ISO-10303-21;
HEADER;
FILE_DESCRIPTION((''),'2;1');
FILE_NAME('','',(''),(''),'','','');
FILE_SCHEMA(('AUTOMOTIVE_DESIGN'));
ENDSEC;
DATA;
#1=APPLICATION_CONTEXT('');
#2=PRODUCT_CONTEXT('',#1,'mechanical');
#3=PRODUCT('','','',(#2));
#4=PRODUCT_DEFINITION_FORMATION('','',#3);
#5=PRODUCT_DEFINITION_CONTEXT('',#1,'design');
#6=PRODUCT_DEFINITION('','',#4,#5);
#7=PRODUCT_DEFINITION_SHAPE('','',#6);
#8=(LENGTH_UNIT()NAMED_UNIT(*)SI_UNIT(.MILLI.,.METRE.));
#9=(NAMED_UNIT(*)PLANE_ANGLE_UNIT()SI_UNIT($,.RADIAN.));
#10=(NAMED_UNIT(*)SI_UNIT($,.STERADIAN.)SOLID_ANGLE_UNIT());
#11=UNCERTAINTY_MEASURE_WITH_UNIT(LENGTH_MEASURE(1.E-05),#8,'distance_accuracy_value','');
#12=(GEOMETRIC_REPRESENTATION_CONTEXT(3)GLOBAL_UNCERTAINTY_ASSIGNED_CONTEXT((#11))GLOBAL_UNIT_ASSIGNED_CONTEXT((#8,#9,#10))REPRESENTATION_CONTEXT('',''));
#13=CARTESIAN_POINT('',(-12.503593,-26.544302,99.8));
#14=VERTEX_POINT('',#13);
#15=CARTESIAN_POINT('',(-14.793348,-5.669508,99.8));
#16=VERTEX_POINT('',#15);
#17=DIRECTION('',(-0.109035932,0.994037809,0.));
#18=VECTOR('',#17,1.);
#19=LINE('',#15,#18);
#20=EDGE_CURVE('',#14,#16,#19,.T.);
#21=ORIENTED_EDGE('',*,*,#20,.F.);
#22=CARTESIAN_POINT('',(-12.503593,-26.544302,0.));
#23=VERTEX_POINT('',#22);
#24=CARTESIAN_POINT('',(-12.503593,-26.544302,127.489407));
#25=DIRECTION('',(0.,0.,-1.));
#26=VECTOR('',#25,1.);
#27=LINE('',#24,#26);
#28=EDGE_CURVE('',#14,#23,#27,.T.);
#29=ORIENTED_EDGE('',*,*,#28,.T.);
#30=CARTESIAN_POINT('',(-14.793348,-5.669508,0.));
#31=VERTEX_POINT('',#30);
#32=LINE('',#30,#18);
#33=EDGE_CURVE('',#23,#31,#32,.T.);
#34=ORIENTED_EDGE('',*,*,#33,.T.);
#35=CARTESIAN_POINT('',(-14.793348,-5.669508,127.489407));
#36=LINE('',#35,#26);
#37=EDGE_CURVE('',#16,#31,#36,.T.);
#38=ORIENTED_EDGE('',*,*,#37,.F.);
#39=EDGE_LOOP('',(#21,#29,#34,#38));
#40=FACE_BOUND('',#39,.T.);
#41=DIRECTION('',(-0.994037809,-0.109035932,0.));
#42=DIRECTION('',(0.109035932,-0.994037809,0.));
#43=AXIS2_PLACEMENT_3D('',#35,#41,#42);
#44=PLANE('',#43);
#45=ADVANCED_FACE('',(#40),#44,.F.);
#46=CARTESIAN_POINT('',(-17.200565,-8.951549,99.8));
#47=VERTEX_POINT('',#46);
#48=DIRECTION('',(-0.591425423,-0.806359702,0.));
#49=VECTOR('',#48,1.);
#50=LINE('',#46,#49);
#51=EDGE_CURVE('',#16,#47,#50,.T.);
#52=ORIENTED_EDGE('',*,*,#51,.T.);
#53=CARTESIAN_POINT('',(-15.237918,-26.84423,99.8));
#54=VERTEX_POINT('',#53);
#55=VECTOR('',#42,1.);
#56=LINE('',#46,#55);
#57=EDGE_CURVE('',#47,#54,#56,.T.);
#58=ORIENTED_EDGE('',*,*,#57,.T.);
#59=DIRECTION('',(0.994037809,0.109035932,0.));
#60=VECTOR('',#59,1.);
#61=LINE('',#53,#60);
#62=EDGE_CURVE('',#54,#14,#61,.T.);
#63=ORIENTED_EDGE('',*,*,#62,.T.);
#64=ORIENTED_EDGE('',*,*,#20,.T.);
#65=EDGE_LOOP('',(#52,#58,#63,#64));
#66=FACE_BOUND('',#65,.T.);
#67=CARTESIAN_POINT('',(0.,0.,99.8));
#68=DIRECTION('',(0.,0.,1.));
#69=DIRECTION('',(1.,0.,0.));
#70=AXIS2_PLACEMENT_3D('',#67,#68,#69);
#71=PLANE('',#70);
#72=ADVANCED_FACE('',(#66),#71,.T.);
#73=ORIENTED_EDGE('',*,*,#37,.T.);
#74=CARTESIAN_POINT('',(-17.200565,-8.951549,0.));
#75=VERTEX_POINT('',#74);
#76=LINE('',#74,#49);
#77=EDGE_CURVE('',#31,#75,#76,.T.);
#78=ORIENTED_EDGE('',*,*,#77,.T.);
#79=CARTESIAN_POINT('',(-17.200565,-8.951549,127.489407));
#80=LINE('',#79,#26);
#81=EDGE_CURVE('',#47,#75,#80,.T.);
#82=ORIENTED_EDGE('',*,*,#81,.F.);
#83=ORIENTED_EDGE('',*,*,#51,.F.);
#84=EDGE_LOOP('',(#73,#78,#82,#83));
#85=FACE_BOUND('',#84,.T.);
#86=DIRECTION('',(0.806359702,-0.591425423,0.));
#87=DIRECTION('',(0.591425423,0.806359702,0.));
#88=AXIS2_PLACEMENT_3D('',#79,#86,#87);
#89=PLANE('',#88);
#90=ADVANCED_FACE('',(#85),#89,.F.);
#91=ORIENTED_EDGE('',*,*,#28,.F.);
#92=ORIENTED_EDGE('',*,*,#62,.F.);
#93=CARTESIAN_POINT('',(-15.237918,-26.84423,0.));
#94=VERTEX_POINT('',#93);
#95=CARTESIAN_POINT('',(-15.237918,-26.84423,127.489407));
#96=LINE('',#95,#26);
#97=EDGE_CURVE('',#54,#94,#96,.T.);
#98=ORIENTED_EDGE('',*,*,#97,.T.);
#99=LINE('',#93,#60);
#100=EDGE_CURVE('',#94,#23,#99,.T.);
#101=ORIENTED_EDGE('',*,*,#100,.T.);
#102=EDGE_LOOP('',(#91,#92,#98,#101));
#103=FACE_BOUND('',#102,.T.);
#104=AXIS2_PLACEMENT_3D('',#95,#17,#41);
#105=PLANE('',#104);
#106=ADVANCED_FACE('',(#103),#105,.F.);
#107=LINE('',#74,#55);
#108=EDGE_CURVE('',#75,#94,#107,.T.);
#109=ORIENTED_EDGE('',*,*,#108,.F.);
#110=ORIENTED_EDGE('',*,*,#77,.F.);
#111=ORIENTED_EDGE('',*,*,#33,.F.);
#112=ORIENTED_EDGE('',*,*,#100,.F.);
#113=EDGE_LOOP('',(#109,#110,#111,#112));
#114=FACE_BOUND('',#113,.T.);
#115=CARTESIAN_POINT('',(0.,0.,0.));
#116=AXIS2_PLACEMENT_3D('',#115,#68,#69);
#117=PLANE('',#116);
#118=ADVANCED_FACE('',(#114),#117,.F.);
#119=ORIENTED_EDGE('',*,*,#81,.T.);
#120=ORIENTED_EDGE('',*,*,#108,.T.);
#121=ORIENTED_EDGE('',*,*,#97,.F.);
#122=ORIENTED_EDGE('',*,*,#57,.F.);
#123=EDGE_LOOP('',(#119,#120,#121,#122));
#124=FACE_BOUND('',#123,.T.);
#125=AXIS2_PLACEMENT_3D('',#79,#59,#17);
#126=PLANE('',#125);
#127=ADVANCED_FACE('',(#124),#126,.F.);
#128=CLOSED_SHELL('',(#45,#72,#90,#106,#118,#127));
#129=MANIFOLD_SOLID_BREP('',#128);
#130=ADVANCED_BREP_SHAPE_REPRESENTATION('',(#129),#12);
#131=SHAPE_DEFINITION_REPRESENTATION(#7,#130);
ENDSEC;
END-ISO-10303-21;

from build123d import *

# Parameters (mm, degrees)
BOSS_EXTRUDE1_DEPTH = 99.8


with BuildPart() as part:
    # Sketch1 → Boss-Extrude1 (new body)
    with BuildSketch(Plane.XY):
        Polygon((-17.200564762, -8.951549002), (-15.887883457, -7.161816492), (-14.793347919, -5.669507712), (-12.503593347, -26.544301699), (-15.237917986, -26.844229562), align=None)
    extrude(amount=BOSS_EXTRUDE1_DEPTH)


solid = part.part
